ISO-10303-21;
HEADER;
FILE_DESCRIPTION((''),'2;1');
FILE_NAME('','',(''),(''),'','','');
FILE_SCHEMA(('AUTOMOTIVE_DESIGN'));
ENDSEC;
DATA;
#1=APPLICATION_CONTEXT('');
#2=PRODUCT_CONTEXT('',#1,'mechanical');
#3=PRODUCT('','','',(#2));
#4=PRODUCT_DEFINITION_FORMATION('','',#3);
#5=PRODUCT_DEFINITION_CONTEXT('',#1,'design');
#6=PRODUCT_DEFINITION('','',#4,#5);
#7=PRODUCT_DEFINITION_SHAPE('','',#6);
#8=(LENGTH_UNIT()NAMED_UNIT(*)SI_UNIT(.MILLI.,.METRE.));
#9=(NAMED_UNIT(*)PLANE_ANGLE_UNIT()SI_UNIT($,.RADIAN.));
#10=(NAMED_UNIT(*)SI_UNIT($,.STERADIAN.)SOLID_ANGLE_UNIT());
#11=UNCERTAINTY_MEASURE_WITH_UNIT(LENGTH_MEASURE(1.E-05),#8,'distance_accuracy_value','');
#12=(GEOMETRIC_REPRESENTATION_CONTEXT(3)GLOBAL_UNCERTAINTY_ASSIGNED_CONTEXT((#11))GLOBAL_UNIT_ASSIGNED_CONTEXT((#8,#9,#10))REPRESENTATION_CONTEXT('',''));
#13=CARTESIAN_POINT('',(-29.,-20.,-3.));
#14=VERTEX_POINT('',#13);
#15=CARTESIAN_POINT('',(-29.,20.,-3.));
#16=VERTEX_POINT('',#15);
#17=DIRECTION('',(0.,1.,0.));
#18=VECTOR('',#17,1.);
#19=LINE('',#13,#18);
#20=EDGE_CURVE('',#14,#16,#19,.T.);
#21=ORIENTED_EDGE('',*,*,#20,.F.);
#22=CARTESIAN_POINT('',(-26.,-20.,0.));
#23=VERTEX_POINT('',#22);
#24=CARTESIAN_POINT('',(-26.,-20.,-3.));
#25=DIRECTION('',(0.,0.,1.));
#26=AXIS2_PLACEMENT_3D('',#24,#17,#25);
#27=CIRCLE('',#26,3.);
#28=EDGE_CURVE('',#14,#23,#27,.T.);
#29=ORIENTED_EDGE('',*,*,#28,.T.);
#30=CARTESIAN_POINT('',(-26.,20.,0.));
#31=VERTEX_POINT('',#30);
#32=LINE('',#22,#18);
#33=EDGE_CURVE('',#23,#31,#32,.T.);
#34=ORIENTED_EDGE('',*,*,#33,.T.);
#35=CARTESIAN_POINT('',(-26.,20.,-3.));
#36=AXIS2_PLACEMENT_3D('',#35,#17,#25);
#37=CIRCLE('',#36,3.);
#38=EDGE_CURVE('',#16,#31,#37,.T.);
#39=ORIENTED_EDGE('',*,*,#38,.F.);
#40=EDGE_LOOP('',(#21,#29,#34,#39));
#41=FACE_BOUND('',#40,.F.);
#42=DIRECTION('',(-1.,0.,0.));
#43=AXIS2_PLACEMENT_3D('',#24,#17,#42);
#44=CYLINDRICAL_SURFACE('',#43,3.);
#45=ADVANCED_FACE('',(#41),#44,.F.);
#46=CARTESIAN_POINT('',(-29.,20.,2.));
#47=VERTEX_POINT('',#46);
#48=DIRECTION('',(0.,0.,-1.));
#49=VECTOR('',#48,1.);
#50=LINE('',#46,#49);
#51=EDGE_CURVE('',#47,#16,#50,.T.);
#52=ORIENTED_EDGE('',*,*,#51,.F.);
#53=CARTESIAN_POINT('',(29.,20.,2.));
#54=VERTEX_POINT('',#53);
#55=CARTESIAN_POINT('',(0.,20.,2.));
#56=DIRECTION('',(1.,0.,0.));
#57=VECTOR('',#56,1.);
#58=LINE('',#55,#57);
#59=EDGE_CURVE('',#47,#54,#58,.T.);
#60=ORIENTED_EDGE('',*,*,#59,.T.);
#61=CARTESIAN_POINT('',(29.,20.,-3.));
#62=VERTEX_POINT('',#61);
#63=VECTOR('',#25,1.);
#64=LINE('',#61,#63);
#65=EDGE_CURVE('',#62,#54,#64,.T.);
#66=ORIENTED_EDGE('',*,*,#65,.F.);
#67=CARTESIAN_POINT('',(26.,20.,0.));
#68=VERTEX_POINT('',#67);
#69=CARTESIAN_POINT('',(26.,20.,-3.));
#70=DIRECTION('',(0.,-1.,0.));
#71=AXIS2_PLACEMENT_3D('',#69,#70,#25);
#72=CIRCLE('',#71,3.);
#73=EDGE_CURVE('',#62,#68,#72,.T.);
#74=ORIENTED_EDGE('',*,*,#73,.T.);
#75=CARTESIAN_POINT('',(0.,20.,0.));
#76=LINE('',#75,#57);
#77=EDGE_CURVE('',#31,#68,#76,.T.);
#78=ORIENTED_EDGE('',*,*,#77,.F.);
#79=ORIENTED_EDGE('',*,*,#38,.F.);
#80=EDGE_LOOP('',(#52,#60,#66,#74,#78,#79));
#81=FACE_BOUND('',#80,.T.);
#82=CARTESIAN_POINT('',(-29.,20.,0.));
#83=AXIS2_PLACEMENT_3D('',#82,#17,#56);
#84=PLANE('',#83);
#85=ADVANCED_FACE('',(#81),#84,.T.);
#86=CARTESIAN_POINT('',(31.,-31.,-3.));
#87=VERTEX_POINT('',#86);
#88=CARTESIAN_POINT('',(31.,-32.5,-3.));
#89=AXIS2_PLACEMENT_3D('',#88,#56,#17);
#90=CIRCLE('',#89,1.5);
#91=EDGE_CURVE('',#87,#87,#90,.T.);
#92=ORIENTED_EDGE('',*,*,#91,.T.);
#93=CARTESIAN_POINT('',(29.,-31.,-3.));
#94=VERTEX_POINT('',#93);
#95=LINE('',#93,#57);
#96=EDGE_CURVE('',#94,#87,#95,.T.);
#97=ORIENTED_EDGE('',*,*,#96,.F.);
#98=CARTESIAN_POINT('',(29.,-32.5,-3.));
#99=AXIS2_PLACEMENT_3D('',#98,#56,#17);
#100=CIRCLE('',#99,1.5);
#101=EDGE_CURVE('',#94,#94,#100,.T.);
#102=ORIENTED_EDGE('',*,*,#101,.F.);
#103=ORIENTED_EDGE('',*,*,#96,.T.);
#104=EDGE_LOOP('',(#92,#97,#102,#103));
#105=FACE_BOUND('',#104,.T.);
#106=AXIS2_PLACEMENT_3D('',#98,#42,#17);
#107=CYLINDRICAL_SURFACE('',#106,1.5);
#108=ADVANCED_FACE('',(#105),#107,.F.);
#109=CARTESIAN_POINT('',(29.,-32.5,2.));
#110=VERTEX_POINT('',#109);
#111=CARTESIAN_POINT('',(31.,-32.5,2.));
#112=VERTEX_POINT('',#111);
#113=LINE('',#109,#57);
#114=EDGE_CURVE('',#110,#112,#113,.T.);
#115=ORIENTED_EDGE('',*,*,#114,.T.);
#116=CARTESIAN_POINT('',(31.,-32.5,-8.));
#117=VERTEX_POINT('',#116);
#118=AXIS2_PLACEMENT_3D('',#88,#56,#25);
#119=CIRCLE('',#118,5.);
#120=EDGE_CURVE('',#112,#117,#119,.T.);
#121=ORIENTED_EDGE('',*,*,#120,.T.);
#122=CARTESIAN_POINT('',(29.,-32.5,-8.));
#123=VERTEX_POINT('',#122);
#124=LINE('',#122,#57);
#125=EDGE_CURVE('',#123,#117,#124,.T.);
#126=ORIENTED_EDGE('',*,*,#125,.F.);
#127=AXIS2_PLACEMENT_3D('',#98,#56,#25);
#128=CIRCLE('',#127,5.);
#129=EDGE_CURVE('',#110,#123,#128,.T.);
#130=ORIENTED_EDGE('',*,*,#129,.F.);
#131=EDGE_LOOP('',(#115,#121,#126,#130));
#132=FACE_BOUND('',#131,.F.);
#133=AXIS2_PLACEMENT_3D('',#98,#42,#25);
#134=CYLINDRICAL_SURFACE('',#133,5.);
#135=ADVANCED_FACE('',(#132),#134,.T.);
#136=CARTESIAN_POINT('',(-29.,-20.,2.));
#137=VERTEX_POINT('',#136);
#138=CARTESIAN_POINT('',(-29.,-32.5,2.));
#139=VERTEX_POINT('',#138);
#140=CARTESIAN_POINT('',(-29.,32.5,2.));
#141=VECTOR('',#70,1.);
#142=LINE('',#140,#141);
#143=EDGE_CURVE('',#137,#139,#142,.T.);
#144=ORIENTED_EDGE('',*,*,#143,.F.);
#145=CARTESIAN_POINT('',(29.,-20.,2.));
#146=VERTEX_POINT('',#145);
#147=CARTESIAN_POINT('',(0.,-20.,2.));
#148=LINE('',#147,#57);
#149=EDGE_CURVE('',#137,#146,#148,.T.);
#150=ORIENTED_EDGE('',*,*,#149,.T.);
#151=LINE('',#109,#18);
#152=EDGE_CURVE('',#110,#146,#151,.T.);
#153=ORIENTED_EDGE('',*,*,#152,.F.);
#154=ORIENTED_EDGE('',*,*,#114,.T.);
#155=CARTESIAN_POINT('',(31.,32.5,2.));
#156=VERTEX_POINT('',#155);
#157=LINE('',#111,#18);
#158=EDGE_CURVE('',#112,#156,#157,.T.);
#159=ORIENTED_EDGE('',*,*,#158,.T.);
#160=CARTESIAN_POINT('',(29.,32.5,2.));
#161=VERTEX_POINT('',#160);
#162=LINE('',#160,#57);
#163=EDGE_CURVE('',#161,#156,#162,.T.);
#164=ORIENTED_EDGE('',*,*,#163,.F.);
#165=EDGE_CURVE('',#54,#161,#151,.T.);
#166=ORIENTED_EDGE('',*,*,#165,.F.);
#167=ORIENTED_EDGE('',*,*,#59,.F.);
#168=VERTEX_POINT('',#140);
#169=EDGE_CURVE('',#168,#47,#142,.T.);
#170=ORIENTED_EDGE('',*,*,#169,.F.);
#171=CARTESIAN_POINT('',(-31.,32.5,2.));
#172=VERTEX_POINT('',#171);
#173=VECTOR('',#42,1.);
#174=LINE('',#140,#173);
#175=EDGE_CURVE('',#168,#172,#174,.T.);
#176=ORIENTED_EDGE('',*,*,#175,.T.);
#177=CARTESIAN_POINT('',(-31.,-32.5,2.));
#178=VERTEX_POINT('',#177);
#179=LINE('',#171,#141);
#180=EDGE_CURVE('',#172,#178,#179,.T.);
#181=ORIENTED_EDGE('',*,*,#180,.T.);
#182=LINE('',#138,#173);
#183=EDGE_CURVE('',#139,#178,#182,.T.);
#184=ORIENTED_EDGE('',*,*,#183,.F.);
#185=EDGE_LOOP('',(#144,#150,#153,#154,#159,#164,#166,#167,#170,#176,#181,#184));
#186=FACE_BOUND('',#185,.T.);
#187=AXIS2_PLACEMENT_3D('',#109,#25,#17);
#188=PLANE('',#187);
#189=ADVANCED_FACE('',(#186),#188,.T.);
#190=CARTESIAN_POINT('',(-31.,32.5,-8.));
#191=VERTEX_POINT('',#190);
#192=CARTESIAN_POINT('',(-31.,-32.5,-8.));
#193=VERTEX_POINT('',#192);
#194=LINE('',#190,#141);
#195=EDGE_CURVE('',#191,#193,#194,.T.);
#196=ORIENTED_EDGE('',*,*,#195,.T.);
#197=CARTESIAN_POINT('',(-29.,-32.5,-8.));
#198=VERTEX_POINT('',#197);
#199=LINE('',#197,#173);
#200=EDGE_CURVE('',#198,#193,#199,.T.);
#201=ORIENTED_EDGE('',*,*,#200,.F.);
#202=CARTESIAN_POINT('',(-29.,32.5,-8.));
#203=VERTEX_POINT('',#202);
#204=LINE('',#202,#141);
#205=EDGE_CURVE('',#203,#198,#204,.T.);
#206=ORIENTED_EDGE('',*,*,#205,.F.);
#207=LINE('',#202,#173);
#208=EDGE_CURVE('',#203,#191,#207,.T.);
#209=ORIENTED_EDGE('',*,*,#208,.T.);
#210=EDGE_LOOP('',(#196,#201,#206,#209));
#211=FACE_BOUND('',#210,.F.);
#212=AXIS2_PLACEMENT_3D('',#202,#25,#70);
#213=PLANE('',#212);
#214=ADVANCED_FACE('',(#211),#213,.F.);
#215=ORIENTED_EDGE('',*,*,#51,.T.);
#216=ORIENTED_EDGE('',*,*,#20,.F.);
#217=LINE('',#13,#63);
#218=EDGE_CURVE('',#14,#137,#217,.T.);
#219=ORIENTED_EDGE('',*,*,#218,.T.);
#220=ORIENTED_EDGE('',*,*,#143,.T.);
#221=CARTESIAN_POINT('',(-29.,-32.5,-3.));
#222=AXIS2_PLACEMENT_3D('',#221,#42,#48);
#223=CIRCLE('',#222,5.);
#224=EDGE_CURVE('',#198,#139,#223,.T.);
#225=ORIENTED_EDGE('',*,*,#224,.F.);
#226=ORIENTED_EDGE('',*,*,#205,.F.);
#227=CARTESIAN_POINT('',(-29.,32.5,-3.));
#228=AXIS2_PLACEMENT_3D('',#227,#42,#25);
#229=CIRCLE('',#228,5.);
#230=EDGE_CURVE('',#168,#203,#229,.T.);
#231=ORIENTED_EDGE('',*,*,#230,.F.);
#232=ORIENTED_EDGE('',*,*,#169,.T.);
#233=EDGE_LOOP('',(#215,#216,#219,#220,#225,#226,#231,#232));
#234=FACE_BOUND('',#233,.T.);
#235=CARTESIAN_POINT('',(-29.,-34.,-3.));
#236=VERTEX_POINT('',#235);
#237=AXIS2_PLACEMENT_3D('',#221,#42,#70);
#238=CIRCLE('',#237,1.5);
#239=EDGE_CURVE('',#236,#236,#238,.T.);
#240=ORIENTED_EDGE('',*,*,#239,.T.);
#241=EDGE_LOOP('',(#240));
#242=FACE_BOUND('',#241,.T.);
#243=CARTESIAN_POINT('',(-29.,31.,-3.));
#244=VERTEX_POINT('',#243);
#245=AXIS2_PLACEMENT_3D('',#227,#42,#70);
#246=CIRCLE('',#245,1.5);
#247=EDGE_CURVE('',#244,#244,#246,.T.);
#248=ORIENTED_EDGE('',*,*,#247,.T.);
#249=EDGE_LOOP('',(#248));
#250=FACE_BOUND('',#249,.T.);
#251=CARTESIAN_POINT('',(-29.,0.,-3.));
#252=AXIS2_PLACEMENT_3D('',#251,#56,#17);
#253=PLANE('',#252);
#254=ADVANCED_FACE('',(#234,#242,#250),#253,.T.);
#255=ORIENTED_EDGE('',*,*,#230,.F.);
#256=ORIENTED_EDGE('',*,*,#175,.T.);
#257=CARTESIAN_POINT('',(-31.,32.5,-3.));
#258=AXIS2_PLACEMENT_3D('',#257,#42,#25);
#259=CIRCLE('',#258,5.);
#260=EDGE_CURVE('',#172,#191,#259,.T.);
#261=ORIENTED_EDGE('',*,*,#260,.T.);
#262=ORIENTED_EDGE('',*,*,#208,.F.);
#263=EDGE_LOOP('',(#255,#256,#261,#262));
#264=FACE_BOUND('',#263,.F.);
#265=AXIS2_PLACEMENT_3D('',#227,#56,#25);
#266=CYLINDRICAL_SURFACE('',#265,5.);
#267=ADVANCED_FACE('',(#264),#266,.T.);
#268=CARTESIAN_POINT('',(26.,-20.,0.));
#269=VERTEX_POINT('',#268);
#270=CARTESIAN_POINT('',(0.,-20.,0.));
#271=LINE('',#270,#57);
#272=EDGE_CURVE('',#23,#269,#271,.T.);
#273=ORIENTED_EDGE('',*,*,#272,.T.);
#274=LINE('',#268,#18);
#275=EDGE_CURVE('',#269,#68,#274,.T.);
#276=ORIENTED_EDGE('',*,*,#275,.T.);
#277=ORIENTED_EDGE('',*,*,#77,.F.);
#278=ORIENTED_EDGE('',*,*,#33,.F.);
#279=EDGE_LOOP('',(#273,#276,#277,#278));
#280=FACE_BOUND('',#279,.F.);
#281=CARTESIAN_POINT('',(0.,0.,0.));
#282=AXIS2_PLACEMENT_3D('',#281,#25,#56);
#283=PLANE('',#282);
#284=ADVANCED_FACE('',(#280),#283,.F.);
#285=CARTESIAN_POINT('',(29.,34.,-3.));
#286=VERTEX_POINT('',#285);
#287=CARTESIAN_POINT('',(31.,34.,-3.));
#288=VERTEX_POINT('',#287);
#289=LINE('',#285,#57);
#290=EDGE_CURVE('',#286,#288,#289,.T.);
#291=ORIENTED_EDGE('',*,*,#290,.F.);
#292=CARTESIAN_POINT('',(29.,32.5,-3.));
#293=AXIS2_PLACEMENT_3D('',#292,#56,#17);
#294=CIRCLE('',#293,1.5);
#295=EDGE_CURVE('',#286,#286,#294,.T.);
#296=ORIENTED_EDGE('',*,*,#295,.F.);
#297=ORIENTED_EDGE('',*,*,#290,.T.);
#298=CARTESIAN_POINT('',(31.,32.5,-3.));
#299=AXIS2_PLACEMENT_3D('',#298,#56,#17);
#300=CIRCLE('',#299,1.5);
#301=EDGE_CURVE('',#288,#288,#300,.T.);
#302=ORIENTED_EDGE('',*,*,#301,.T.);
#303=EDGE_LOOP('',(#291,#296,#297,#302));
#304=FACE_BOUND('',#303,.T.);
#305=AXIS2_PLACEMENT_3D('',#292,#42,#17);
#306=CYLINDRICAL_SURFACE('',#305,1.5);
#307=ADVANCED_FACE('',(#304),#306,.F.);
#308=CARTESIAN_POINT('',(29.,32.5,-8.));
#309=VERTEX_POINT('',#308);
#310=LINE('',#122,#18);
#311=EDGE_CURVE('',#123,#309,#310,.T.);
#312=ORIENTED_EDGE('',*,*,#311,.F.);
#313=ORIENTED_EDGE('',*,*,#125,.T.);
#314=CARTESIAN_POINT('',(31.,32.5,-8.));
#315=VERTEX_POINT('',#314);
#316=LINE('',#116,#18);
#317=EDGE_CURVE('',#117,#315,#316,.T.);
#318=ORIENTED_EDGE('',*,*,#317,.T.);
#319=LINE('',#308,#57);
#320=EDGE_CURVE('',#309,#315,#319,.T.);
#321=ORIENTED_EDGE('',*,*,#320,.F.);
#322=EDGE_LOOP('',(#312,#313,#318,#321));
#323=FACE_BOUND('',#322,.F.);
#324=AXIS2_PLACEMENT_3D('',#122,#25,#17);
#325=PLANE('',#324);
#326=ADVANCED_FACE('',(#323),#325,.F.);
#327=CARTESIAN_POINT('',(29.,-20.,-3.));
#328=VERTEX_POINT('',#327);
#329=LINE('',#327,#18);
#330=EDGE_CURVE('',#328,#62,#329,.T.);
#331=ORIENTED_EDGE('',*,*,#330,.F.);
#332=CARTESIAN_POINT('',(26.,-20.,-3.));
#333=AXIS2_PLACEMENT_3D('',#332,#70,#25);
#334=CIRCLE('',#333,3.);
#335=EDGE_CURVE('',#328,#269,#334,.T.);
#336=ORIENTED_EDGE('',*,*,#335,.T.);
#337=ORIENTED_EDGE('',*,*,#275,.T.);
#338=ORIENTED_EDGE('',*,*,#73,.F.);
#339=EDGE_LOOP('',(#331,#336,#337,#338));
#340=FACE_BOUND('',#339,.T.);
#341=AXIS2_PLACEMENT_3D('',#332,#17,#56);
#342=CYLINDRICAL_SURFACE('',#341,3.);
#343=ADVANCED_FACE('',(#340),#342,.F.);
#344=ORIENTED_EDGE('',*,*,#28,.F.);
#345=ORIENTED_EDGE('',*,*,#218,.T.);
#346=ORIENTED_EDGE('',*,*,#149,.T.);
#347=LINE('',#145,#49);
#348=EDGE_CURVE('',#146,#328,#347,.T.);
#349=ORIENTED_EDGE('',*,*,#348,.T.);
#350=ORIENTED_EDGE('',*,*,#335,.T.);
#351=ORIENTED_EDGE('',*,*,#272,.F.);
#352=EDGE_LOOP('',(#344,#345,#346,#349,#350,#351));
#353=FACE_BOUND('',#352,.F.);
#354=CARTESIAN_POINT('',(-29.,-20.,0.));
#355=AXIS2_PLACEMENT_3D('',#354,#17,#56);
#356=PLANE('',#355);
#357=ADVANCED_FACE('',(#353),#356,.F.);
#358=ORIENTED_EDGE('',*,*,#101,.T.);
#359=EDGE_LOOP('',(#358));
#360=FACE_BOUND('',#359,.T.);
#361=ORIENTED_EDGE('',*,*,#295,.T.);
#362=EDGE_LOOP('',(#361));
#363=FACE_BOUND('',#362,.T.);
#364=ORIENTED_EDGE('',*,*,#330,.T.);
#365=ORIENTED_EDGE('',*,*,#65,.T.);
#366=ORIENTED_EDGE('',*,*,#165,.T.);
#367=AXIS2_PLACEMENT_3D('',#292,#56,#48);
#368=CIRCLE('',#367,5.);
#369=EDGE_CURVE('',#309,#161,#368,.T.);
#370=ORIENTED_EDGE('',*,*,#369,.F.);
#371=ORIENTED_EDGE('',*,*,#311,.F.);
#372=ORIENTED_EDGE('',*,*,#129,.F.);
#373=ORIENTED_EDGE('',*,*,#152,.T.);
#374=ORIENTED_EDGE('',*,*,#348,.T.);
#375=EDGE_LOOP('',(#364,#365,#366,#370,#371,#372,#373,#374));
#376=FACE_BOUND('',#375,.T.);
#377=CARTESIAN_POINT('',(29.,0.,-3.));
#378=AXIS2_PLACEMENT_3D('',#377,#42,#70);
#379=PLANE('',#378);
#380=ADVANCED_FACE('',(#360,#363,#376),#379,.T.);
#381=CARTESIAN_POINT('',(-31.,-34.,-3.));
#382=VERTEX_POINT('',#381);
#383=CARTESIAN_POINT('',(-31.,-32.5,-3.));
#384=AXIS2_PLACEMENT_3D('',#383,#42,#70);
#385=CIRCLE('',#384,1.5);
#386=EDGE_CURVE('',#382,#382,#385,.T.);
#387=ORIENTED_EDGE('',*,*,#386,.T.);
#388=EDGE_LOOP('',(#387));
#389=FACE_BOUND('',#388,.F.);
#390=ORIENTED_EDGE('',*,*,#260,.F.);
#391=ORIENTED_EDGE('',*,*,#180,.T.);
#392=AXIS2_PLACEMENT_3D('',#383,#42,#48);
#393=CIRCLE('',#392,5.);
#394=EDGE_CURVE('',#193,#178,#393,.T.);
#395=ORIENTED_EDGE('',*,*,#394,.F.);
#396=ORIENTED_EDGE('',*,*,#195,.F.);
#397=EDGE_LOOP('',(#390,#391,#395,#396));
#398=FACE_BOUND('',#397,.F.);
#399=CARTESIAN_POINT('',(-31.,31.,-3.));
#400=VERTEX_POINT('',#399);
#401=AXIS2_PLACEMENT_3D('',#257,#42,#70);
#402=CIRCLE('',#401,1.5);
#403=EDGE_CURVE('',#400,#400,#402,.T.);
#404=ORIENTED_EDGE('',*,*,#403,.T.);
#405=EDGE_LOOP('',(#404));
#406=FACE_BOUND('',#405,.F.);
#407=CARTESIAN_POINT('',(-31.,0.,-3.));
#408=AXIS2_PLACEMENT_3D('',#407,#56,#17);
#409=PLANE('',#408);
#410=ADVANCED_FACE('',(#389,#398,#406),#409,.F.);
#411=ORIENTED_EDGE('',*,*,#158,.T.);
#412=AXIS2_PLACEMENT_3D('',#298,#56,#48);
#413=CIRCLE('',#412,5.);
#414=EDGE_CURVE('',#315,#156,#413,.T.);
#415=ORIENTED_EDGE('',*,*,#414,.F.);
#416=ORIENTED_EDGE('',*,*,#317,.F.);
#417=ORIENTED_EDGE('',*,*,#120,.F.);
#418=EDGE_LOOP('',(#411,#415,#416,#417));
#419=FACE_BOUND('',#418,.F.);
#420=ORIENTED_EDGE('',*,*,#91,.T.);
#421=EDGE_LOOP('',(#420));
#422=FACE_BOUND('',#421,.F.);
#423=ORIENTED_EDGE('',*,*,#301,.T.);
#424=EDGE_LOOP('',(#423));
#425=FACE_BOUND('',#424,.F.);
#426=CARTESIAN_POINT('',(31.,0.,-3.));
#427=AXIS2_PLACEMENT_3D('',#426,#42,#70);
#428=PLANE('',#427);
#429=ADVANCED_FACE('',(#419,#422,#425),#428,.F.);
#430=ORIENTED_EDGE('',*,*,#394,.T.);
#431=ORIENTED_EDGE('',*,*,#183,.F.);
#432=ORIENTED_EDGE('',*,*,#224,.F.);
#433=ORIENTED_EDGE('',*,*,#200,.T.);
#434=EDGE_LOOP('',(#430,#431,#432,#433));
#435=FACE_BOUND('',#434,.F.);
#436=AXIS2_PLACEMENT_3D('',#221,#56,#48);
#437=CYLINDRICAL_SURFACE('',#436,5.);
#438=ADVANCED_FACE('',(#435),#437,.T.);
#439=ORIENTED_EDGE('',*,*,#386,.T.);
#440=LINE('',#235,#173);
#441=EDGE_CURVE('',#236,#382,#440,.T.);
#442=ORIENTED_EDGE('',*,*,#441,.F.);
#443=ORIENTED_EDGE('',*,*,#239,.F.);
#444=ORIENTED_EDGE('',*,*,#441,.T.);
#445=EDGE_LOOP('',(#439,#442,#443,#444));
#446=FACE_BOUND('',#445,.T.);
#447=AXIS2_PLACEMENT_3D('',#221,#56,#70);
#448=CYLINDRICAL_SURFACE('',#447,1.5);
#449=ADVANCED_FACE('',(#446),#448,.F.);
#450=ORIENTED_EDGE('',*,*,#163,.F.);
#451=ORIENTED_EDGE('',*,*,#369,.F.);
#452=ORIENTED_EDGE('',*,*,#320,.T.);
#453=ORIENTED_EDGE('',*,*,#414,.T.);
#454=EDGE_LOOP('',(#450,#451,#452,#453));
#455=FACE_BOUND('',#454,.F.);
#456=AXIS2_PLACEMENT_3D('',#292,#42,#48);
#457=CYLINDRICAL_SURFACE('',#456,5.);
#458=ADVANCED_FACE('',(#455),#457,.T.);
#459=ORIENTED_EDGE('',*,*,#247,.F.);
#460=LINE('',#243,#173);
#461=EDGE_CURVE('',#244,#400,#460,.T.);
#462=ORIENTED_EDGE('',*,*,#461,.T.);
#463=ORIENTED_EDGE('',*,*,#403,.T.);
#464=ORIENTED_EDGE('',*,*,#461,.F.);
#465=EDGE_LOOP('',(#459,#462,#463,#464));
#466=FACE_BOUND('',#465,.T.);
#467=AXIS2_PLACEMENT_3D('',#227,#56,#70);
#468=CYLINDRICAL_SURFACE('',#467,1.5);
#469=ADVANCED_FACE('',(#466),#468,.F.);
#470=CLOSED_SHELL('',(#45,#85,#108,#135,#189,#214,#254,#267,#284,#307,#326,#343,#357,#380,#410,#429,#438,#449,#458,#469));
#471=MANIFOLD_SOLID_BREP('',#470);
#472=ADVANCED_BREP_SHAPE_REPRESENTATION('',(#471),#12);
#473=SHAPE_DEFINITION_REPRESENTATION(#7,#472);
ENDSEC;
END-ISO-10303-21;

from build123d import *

# Parameters (mm, degrees)
SKETCH_W     = 58
SKETCH_H     = 40
PAD_DEPTH    = 2
SKETCH001_R  = 1.5
PAD001_DEPTH = 2
FILLET_R     = 3
SKETCH002_R  = 1.5
PAD002_DEPTH = 2
FILLET001_R  = 3


with BuildPart() as part:
    # Sketch → Pad (new body)
    with BuildSketch(Plane.XY):
        Rectangle(SKETCH_W, SKETCH_H)
    extrude(amount=PAD_DEPTH)

    # Sketch001 (on Face4 of Pad) → Pad001 (join)
    with BuildSketch(Plane(origin=(-29, 0, 0), x_dir=(0, -1, 0), z_dir=(-1, 0, 0))):
        with BuildLine():
            Line((-32.5, 2), (32.5, 2))
            ThreePointArc((32.5, -8), (37.5, -3), (32.5, 2))
            Line((-32.5, -8), (32.5, -8))
            ThreePointArc((-32.5, 2), (-37.5, -3), (-32.5, -8))
        make_face()
        with Locations((-32.5, -3)):
            Circle(SKETCH001_R, mode=Mode.SUBTRACT)
        with Locations((32.5, -3)):
            Circle(SKETCH001_R, mode=Mode.SUBTRACT)
    extrude(amount=PAD001_DEPTH)

    # Fillet
    fillet_edges = [part.edges().sort_by_distance(p)[0] for p in [
        (-29, 0, 0),
    ]]
    fillet(fillet_edges, radius=FILLET_R)

    # Sketch002 (on Face12 of Fillet) → Pad002 (join)
    with BuildSketch(Plane.YZ.offset(29)):
        with BuildLine():
            Line((-32.5, 2), (32.5, 2))
            ThreePointArc((32.5, -8), (37.5, -3), (32.5, 2))
            Line((-32.5, -8), (32.5, -8))
            ThreePointArc((-32.5, 2), (-37.5, -3), (-32.5, -8))
        make_face()
        with Locations((-32.5, -3)):
            Circle(SKETCH002_R, mode=Mode.SUBTRACT)
        with Locations((32.5, -3)):
            Circle(SKETCH002_R, mode=Mode.SUBTRACT)
    extrude(amount=PAD002_DEPTH)

    # Fillet001
    fillet001_edges = [part.edges().sort_by_distance(p)[0] for p in [
        (29, 0, 0),
    ]]
    fillet(fillet001_edges, radius=FILLET001_R)


solid = part.part
